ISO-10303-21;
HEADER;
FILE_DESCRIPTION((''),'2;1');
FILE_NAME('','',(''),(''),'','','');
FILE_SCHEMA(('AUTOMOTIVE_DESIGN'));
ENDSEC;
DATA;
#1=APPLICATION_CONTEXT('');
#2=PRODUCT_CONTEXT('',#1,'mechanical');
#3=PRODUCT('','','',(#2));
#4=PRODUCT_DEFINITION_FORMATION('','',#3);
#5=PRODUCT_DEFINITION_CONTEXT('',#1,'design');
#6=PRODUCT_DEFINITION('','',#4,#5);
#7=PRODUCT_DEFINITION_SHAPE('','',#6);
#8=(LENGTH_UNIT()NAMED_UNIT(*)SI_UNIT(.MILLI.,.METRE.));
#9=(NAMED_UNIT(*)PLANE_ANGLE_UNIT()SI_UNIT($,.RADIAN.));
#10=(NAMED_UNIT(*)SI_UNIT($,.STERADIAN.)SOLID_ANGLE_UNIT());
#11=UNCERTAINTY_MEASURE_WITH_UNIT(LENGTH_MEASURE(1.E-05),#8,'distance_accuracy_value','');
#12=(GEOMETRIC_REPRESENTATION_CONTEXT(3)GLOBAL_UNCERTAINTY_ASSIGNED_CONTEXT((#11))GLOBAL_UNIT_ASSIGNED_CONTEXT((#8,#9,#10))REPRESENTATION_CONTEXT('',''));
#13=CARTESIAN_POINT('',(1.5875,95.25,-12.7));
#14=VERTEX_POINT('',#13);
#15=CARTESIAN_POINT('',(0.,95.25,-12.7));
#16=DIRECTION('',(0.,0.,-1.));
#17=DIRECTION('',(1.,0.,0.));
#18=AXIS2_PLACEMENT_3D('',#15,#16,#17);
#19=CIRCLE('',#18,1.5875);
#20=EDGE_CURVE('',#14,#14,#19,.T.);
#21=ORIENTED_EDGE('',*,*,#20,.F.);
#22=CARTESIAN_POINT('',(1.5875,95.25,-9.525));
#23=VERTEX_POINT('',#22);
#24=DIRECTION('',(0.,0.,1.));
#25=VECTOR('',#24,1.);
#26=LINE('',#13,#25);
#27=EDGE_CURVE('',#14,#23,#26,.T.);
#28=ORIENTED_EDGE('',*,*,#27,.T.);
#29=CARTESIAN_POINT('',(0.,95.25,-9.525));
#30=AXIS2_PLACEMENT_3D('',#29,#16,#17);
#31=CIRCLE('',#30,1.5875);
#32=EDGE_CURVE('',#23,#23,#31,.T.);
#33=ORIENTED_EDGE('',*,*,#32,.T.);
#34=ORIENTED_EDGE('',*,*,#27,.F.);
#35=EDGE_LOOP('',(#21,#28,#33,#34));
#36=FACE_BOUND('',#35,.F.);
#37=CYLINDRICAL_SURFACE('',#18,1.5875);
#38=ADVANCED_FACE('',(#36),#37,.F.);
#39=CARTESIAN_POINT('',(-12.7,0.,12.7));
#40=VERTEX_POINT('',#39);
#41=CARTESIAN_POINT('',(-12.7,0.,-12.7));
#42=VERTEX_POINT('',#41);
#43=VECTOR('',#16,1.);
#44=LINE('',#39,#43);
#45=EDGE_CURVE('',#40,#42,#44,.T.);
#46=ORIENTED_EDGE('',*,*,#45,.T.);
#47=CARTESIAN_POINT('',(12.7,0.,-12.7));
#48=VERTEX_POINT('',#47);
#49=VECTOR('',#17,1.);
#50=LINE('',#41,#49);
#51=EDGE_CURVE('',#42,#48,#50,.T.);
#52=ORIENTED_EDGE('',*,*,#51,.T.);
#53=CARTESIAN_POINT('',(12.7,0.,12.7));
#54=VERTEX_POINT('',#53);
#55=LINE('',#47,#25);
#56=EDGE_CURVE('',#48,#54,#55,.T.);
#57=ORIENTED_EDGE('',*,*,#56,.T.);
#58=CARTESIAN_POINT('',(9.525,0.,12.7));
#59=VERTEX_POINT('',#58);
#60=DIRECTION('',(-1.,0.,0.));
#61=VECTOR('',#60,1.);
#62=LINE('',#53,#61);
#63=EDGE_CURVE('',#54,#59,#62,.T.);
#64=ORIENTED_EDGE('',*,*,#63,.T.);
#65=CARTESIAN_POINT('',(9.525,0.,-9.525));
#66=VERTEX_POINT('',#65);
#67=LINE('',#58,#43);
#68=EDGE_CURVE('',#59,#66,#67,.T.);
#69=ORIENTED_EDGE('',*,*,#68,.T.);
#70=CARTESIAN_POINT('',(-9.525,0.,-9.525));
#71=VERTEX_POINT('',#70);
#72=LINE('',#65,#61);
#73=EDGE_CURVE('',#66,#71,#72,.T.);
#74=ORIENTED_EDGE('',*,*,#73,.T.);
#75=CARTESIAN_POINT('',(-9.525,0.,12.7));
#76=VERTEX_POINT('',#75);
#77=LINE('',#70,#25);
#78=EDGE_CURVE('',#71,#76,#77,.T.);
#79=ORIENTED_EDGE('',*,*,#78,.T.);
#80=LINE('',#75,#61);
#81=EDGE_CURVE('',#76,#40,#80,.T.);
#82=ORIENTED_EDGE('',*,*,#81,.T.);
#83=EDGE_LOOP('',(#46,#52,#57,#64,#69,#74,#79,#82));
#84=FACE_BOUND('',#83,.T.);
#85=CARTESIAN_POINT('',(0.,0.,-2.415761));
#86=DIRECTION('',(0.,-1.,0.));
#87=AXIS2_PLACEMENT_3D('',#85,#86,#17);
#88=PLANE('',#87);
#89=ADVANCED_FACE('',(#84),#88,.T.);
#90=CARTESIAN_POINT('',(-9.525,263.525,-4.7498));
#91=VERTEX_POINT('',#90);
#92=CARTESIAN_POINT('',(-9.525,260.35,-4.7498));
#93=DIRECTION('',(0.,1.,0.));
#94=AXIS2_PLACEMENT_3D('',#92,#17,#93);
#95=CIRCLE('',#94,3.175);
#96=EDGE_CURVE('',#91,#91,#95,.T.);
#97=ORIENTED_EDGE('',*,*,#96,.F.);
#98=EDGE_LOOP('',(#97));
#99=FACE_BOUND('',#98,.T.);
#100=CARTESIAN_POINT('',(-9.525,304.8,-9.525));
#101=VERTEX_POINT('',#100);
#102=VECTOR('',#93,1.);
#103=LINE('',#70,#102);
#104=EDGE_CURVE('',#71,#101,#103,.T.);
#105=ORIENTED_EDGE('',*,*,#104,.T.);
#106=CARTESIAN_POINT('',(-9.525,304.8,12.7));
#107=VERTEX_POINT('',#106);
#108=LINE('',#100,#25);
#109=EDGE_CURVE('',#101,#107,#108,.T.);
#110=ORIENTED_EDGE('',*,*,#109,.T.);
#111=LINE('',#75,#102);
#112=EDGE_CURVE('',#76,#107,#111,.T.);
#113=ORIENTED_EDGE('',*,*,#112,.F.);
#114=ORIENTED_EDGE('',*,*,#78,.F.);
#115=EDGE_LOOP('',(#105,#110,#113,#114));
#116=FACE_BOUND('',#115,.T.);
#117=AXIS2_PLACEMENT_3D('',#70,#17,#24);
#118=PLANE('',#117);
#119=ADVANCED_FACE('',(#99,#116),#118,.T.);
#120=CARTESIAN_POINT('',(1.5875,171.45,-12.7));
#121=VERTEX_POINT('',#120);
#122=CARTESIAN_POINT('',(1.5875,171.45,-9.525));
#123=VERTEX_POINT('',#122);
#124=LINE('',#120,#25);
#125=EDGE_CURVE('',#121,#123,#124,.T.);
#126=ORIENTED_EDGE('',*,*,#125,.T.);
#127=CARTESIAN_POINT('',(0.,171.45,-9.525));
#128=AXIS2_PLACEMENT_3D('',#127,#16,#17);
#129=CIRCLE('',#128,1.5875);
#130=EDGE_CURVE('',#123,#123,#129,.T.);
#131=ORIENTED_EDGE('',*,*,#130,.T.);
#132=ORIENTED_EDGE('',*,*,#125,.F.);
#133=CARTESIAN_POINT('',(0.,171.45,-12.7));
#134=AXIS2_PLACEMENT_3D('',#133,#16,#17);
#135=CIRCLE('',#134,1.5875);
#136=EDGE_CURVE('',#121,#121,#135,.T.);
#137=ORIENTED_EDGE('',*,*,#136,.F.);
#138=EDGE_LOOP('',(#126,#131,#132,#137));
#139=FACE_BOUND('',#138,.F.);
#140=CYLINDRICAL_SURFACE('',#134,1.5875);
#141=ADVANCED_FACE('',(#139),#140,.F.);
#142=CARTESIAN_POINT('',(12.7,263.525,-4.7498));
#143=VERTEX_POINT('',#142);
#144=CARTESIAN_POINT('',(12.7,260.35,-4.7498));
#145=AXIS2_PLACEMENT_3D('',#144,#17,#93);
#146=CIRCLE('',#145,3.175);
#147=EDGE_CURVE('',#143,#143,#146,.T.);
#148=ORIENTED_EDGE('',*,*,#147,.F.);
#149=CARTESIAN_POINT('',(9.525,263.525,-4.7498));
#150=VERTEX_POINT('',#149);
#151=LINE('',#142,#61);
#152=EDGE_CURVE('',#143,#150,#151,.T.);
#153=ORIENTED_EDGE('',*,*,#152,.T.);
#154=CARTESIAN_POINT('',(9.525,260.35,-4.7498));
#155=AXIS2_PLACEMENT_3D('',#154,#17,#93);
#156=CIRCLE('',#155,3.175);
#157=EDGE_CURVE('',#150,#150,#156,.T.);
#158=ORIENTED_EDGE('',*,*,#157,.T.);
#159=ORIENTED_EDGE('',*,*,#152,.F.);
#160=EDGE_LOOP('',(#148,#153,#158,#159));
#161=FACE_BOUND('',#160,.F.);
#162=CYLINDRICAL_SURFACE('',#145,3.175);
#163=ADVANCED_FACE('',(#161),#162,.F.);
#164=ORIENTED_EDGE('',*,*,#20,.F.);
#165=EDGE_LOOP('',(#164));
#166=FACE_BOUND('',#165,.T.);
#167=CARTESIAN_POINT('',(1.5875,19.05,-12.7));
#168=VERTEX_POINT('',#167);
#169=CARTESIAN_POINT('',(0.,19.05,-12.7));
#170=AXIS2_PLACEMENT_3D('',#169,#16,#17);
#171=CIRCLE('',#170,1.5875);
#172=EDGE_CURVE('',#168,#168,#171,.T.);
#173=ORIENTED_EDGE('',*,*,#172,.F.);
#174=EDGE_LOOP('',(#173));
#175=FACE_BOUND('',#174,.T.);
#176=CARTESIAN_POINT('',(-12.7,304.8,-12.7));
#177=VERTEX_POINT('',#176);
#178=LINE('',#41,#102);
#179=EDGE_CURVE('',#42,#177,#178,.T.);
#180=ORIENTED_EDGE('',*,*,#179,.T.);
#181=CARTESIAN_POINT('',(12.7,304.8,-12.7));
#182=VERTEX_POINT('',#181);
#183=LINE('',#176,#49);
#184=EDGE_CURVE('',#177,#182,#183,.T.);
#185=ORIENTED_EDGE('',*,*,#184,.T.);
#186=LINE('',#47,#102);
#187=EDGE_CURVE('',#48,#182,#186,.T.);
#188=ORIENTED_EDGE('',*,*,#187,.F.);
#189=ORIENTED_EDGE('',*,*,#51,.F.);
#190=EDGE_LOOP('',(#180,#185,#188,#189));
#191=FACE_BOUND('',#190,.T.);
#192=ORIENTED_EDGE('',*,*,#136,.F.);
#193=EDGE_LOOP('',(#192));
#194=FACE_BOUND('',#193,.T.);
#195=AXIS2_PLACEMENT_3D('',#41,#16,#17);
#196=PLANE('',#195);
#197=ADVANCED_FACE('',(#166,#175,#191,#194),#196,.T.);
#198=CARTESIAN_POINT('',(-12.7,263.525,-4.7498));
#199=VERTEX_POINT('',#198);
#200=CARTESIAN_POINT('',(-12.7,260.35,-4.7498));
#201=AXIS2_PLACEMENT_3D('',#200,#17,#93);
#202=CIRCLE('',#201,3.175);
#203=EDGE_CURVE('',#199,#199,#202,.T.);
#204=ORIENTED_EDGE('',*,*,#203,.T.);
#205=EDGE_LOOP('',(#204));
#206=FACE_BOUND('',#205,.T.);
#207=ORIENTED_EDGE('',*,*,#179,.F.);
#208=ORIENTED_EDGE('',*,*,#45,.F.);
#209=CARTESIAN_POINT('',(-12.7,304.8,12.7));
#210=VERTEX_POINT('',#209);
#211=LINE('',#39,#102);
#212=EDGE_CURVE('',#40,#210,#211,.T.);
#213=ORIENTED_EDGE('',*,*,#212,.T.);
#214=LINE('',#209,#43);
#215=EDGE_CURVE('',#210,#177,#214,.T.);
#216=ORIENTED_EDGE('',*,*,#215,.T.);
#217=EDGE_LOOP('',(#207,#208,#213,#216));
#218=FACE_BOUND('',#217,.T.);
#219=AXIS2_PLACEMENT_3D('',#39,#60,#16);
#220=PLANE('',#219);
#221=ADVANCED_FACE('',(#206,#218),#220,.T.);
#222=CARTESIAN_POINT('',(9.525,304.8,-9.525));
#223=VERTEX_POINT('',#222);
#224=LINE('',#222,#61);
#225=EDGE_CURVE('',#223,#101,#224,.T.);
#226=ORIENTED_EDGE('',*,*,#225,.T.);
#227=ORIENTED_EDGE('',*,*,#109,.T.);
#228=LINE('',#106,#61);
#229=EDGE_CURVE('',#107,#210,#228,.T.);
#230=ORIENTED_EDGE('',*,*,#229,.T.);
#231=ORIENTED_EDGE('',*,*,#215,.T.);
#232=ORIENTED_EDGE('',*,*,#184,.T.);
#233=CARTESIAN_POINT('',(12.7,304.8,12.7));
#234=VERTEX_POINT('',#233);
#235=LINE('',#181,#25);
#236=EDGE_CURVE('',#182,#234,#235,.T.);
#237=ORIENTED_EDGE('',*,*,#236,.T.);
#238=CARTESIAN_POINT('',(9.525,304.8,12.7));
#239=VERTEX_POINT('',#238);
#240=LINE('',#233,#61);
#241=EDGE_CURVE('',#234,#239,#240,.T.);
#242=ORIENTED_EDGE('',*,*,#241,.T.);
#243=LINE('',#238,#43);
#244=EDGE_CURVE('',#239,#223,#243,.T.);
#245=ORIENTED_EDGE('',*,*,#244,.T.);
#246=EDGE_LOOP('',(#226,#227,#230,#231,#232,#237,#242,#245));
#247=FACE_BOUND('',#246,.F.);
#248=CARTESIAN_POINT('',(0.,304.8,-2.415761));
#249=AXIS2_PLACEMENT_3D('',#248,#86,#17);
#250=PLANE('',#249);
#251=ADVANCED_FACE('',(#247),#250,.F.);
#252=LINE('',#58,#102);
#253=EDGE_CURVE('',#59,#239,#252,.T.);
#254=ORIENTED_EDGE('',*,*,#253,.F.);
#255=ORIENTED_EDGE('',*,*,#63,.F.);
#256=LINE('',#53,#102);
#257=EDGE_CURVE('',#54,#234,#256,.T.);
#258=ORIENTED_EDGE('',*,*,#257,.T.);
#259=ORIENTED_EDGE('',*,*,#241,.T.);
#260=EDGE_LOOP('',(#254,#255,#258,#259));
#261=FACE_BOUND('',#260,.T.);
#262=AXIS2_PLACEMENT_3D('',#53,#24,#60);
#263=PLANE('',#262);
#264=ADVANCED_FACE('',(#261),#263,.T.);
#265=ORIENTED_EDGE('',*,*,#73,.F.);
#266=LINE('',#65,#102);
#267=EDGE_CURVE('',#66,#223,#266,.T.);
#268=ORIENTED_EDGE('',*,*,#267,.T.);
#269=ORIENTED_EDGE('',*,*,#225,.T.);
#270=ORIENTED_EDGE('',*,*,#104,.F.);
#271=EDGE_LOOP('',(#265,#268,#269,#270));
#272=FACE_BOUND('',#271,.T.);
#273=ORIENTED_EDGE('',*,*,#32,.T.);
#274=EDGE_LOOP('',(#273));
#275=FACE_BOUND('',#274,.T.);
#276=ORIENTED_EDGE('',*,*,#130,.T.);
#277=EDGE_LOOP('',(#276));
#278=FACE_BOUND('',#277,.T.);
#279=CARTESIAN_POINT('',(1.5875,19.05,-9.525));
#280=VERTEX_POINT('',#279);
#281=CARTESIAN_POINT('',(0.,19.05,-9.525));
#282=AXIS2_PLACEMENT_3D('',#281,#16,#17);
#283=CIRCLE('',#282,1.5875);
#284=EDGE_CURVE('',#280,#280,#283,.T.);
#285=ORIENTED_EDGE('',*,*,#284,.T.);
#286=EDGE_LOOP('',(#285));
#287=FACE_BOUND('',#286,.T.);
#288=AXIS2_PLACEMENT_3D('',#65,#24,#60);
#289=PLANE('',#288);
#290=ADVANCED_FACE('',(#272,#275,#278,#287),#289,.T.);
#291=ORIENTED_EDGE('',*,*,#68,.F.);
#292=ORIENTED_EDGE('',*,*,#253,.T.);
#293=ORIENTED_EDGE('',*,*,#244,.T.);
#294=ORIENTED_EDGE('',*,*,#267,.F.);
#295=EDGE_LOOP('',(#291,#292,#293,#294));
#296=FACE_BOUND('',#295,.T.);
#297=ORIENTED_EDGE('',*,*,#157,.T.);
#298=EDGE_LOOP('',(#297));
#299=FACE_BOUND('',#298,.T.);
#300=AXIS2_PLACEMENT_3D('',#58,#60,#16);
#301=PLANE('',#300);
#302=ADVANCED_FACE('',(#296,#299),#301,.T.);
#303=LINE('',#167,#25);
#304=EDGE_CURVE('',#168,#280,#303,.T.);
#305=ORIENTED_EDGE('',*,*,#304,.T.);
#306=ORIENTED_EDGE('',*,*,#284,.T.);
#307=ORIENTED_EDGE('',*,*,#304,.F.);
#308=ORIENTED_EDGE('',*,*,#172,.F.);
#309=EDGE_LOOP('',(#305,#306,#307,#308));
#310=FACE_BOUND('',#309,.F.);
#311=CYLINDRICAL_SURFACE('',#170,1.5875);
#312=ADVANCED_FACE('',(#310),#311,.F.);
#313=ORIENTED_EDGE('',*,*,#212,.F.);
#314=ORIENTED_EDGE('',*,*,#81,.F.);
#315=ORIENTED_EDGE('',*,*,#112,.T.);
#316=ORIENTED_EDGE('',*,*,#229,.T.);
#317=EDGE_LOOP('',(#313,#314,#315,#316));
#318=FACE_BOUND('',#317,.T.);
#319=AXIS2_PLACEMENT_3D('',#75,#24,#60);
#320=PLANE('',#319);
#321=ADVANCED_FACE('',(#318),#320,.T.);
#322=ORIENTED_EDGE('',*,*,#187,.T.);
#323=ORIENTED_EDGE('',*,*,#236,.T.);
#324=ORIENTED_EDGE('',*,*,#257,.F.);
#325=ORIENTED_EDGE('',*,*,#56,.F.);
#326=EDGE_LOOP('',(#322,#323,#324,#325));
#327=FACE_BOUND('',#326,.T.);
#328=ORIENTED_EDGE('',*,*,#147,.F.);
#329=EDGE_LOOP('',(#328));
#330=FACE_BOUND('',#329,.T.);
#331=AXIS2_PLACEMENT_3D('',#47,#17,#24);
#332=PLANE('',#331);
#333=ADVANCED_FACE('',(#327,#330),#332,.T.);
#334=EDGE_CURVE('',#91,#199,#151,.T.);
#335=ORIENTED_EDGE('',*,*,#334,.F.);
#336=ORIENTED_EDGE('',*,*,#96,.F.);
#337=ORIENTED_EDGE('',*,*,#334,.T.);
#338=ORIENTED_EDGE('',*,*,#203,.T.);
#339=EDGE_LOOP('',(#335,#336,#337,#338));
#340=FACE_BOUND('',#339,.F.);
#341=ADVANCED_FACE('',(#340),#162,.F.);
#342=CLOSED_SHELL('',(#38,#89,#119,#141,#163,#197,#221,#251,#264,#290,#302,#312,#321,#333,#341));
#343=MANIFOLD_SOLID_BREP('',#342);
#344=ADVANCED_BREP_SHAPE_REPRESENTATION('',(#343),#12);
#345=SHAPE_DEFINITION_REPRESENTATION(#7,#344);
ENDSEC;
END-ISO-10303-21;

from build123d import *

# Parameters (mm, degrees)
F1_DEPTH = 304.8
F2_R     = 3.175
F3_DEPTH = 25.4
F4_R     = 1.5875
F5_DEPTH = 25.4


with BuildPart() as f1:
    # F0 (on Front) → F1 (new body)
    with BuildSketch(Plane.XZ):
        Polygon((-9.525, 12.7), (-12.7, 12.7), (-12.7, -12.7), (12.7, -12.7), (12.7, 12.7), (9.525, 12.7), (9.525, -9.525), (-9.525, -9.525), align=None)
    extrude(amount=-F1_DEPTH)

    # F2 (on face) → F3 (cut, through all)
    with BuildSketch(Plane.YZ.offset(12.7)):
        with Locations((260.35, -4.7498)):
            Circle(F2_R)
    extrude(amount=-F3_DEPTH, mode=Mode.SUBTRACT)

    # F4 (on face) → F5 (cut)
    with BuildSketch(Plane(origin=(0, 0, -12.7), x_dir=(1, 0, 0), z_dir=(0, 0, -1))):
        with Locations((0, -19.05)):
            Circle(F4_R)
        with Locations((0, -95.25)):
            Circle(F4_R)
        with Locations((0, -171.45)):
            Circle(F4_R)
    extrude(amount=-F5_DEPTH, mode=Mode.SUBTRACT)


solid = f1.part
